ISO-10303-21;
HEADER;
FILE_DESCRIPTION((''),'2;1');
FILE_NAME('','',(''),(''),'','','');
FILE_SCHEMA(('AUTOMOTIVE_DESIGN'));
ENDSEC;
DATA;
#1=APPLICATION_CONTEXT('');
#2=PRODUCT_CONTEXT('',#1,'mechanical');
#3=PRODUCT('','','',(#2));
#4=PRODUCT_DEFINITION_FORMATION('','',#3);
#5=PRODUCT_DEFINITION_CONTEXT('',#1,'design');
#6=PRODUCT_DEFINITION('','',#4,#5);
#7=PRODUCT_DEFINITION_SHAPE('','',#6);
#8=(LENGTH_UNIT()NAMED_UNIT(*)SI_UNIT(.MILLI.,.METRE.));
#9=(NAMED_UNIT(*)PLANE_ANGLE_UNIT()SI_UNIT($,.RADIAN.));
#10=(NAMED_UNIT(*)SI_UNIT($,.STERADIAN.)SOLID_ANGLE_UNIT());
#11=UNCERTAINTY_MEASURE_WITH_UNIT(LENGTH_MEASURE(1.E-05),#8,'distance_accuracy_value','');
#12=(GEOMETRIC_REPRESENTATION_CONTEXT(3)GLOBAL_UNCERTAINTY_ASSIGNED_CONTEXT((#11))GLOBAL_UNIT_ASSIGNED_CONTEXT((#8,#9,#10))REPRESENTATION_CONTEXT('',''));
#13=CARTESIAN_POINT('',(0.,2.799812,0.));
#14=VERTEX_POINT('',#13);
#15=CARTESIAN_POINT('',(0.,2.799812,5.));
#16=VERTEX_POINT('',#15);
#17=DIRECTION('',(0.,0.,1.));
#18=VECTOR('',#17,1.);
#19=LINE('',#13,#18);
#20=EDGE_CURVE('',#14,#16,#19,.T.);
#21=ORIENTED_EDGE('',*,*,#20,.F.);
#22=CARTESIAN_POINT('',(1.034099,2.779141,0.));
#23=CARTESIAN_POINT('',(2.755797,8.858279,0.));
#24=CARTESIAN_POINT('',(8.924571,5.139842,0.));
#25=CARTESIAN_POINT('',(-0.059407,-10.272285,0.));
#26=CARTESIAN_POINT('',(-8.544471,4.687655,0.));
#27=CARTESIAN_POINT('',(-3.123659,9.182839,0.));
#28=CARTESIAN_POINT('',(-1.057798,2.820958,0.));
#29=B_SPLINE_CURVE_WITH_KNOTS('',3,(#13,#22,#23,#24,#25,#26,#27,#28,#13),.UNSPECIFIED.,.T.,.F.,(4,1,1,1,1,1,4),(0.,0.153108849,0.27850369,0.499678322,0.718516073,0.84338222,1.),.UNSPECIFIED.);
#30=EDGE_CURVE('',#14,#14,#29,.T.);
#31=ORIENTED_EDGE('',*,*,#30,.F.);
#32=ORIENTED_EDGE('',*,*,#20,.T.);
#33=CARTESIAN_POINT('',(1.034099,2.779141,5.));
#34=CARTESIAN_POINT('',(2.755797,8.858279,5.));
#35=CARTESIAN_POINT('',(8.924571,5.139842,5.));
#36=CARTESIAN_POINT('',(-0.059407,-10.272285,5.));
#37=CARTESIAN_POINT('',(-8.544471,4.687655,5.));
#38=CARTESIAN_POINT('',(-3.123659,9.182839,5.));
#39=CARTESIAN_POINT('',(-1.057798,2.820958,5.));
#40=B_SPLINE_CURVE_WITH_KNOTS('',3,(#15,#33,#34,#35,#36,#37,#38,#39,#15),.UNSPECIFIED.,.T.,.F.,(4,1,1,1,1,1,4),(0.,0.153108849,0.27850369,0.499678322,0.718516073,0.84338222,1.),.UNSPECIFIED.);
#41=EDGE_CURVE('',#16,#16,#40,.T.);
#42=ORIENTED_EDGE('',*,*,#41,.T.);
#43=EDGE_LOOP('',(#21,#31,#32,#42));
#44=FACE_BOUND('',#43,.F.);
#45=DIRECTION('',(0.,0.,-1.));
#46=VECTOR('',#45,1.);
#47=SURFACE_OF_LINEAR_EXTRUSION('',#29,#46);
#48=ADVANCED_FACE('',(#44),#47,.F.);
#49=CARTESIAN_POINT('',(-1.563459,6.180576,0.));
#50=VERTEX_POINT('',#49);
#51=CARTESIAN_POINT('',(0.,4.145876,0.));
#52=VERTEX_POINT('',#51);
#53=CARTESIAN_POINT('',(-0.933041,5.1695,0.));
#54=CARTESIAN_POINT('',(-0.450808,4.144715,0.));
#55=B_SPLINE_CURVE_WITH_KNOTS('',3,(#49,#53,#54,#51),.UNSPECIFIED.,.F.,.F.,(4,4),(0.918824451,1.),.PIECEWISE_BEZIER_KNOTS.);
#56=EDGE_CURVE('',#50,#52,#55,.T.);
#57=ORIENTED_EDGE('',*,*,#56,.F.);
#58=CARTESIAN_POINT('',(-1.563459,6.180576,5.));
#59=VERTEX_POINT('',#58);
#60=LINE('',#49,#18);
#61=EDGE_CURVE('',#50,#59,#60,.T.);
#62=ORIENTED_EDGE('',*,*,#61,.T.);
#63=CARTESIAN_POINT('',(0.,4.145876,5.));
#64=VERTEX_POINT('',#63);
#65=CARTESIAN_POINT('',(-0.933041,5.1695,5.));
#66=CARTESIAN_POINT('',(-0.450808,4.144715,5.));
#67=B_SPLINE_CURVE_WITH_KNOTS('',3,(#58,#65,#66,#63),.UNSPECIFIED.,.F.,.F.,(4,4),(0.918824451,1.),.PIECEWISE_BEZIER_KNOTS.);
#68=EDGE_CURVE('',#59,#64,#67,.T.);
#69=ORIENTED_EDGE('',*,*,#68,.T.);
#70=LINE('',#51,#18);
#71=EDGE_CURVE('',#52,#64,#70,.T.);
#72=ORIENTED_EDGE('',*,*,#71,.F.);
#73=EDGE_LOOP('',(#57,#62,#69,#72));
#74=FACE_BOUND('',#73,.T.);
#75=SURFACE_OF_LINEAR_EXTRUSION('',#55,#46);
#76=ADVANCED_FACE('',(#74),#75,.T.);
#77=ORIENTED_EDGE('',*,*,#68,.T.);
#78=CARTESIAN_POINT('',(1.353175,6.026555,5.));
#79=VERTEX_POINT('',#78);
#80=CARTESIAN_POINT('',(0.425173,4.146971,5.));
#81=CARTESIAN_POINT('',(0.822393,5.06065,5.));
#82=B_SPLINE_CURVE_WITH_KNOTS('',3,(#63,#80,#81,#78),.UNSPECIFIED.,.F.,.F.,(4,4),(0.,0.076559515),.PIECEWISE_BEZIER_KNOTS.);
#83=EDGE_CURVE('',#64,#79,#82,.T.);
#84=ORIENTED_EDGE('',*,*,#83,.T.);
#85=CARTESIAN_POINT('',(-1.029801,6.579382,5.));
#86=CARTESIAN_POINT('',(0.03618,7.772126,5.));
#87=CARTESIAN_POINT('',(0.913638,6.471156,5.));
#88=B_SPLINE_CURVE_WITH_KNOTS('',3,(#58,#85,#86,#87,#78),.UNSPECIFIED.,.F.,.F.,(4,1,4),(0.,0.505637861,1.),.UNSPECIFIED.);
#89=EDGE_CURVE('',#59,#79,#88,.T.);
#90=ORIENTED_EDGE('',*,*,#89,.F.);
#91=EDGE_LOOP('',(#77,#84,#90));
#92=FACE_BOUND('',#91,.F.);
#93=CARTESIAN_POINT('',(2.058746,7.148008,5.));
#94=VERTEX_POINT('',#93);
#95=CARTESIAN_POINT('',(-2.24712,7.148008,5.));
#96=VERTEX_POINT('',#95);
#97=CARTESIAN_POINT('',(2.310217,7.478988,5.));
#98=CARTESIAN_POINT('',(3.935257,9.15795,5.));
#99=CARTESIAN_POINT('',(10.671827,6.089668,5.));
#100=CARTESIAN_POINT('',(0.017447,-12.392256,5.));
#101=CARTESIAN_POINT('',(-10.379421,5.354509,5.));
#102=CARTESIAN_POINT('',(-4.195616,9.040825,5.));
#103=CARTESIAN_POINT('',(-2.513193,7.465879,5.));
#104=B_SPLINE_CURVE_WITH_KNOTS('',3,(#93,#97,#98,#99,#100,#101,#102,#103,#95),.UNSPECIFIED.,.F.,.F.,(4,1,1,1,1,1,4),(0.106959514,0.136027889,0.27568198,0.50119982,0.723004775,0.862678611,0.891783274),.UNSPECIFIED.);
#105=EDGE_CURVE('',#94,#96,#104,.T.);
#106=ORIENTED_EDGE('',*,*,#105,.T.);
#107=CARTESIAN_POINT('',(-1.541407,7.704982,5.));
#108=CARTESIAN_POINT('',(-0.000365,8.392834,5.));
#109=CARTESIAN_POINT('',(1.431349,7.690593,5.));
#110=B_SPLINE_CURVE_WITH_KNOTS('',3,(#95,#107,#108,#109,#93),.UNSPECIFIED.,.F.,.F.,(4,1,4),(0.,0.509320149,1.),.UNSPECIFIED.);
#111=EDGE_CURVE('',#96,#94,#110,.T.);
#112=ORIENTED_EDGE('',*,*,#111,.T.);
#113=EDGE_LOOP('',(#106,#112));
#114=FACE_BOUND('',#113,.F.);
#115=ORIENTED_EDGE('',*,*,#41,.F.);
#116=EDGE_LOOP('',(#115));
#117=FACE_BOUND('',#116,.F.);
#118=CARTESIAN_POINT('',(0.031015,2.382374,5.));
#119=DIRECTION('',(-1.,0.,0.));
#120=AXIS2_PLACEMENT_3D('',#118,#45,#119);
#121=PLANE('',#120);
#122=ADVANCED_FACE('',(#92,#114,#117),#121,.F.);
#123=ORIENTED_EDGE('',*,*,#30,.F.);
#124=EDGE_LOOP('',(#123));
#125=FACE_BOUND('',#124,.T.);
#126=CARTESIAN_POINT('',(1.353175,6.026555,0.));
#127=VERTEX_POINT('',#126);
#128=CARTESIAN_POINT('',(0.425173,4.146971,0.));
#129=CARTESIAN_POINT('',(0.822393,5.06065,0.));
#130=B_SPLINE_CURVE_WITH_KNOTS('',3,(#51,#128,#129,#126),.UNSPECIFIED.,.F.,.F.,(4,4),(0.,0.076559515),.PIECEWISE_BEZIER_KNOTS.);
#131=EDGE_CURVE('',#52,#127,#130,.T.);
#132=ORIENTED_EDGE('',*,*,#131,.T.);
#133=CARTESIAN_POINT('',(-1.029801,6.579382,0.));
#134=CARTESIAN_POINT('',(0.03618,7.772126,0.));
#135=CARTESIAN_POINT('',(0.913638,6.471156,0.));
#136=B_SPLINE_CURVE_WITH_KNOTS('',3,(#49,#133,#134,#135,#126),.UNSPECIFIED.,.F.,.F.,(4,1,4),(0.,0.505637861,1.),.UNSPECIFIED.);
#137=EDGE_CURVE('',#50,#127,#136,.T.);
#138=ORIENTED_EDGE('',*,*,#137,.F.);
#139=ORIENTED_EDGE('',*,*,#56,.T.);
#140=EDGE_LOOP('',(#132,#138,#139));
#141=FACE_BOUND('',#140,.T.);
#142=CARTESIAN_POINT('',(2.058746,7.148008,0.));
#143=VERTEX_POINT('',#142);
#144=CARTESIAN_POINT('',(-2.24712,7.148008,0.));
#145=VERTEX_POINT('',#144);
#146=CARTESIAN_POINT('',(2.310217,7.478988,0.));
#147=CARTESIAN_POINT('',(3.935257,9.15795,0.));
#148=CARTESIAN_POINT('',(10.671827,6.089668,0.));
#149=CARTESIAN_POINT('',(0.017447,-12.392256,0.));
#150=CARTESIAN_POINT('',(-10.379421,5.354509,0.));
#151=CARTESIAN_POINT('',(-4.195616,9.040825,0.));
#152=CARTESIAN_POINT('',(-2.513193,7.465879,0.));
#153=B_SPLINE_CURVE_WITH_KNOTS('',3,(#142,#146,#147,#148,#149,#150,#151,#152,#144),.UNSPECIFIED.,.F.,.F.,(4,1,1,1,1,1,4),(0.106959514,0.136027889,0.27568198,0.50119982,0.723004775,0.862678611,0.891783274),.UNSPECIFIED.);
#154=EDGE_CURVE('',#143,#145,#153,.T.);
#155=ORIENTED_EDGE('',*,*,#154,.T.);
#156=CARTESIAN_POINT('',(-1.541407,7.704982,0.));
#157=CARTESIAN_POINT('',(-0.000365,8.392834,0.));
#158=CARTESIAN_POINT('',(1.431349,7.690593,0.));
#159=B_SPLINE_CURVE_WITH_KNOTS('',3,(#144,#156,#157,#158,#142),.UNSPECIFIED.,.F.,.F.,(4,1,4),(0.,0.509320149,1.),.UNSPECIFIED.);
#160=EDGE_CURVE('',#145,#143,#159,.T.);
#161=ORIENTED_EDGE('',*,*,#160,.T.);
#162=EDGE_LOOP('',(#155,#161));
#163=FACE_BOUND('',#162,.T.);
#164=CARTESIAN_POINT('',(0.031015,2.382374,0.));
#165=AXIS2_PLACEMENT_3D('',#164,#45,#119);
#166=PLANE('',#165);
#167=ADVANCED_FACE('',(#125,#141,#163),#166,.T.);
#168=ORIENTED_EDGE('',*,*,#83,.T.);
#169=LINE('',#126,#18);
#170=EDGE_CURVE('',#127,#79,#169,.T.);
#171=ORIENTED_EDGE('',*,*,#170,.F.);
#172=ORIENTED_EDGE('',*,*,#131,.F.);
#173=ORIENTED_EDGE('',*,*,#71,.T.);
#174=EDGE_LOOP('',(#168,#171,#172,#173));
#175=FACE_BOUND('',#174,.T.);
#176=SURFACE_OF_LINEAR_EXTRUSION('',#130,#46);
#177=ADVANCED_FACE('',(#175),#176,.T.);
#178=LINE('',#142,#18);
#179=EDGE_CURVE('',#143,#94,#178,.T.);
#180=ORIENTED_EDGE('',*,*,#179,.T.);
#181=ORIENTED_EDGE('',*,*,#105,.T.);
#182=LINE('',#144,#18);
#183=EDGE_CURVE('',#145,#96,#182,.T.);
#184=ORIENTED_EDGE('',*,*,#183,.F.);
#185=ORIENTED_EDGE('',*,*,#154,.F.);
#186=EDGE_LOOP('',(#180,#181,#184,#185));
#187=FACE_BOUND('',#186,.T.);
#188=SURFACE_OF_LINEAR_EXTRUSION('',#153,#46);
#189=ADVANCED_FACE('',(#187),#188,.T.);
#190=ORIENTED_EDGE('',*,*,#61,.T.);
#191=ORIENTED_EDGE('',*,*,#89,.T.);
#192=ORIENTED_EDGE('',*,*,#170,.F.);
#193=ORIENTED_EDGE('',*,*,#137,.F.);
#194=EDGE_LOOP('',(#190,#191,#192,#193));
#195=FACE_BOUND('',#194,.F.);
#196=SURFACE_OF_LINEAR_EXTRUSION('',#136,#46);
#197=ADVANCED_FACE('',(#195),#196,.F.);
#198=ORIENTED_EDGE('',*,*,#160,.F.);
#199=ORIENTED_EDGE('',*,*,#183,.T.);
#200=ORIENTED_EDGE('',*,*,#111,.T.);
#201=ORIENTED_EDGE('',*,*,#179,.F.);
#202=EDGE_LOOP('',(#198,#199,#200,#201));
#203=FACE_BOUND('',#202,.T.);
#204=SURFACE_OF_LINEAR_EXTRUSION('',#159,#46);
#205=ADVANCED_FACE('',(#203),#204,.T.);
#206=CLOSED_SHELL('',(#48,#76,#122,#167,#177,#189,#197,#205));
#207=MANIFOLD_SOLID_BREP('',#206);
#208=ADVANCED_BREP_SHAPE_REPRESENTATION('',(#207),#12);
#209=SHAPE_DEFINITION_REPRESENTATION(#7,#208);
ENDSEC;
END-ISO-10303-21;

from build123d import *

# Parameters (mm, degrees)
F1_DEPTH = 5
F2_DEPTH = 5


with BuildPart() as f1:
    # F0 (on Top) → F1 (new body)
    with BuildSketch(Plane.XY):
        with BuildLine():
            add(Edge.make_bspline(
                [(0, 4.1458761205), (0.4251728121, 4.1469714189), (0.8223929175, 5.0606502095), (1.3531749, 6.0265546593)],
                knots=[0, 0, 0, 0, 0.0765595149, 0.0765595149, 0.0765595149, 0.0765595149], degree=3))
            add(Edge.make_bspline(
                [(-1.5634586702, 6.1805757618), (-0.9330409116, 5.1694999873), (-0.4508079304, 4.1447147827), (0, 4.1458761205)],
                knots=[0.9188244509, 0.9188244509, 0.9188244509, 0.9188244509, 1, 1, 1, 1], degree=3))
            add(Edge.make_bspline(
                [(-2.2471202075, 7.1480078623), (-1.9999117313, 6.8526730124), (-1.7734632609, 6.5173850463), (-1.5634586702, 6.1805757618)],
                knots=[0.8917832743, 0.8917832743, 0.8917832743, 0.8917832743, 0.9188244509, 0.9188244509, 0.9188244509, 0.9188244509], degree=3))
            add(Edge.make_bspline(
                [(2.0587463653, 7.1480078623), (2.3102169642, 7.4789881542), (3.9352571105, 9.1579500365), (10.6718271376, 6.0896679143), (0.0174467047, -12.3922555257), (-10.3794205218, 5.354508724), (-4.1956157642, 9.0408248225), (-2.5131929277, 7.465879434), (-2.2471202075, 7.1480078623)],
                knots=[0.1069595135, 0.1069595135, 0.1069595135, 0.1069595135, 0.1360278888, 0.2756819795, 0.5011998203, 0.7230047753, 0.8626786112, 0.8917832743, 0.8917832743, 0.8917832743, 0.8917832743], degree=3))
            add(Edge.make_bspline(
                [(1.3531749, 6.0265546593), (1.5639360512, 6.4100927984), (1.7957558897, 6.8018653518), (2.0587463653, 7.1480078623)],
                knots=[0.0765595149, 0.0765595149, 0.0765595149, 0.0765595149, 0.1069595135, 0.1069595135, 0.1069595135, 0.1069595135], degree=3))
        make_face()
        with BuildLine():
            add(Edge.make_bspline(
                [(0, 2.7998123893), (1.0340989918, 2.7791406676), (2.7557970722, 8.8582789448), (8.9245705944, 5.1398418843), (-0.0594070879, -10.2722849706), (-8.5444707281, 4.6876552471), (-3.1236585147, 9.1828392806), (-1.057798358, 2.8209578633), (0, 2.7998123893)],
                knots=[0, 0, 0, 0, 0.1531088486, 0.27850369, 0.4996783225, 0.7185160732, 0.8433822197, 1, 1, 1, 1], degree=3))
        make_face(mode=Mode.SUBTRACT)
        with BuildLine():
            add(Edge.make_bspline(
                [(-1.5634586702, 6.1805757618), (-1.0298012679, 6.5793822208), (0.0361797885, 7.7721255402), (0.9136382907, 6.471155864), (1.3531749, 6.0265546593)],
                knots=[0, 0, 0, 0, 0.5056378611, 1, 1, 1, 1], degree=3))
            add(Edge.make_bspline(
                [(1.3531749, 6.0265546593), (1.5639360512, 6.4100927984), (1.7957558897, 6.8018653518), (2.0587463653, 7.1480078623)],
                knots=[0.0765595149, 0.0765595149, 0.0765595149, 0.0765595149, 0.1069595135, 0.1069595135, 0.1069595135, 0.1069595135], degree=3))
            add(Edge.make_bspline(
                [(-2.2471202075, 7.1480078623), (-1.5414069401, 7.7049818886), (-0.0003649889, 8.3928342759), (1.4313487957, 7.6905926173), (2.0587463653, 7.1480078623)],
                knots=[0, 0, 0, 0, 0.5093201493, 1, 1, 1, 1], degree=3))
            add(Edge.make_bspline(
                [(-2.2471202075, 7.1480078623), (-1.9999117313, 6.8526730124), (-1.7734632609, 6.5173850463), (-1.5634586702, 6.1805757618)],
                knots=[0.8917832743, 0.8917832743, 0.8917832743, 0.8917832743, 0.9188244509, 0.9188244509, 0.9188244509, 0.9188244509], degree=3))
        make_face()
    extrude(amount=F1_DEPTH)

    # F0 (on Top) → F2 (join)
    with BuildSketch(Plane.XY):
        with BuildLine():
            add(Edge.make_bspline(
                [(0, 4.1458761205), (0.4251728121, 4.1469714189), (0.8223929175, 5.0606502095), (1.3531749, 6.0265546593)],
                knots=[0, 0, 0, 0, 0.0765595149, 0.0765595149, 0.0765595149, 0.0765595149], degree=3))
            add(Edge.make_bspline(
                [(-1.5634586702, 6.1805757618), (-0.9330409116, 5.1694999873), (-0.4508079304, 4.1447147827), (0, 4.1458761205)],
                knots=[0.9188244509, 0.9188244509, 0.9188244509, 0.9188244509, 1, 1, 1, 1], degree=3))
            add(Edge.make_bspline(
                [(-2.2471202075, 7.1480078623), (-1.9999117313, 6.8526730124), (-1.7734632609, 6.5173850463), (-1.5634586702, 6.1805757618)],
                knots=[0.8917832743, 0.8917832743, 0.8917832743, 0.8917832743, 0.9188244509, 0.9188244509, 0.9188244509, 0.9188244509], degree=3))
            add(Edge.make_bspline(
                [(2.0587463653, 7.1480078623), (2.3102169642, 7.4789881542), (3.9352571105, 9.1579500365), (10.6718271376, 6.0896679143), (0.0174467047, -12.3922555257), (-10.3794205218, 5.354508724), (-4.1956157642, 9.0408248225), (-2.5131929277, 7.465879434), (-2.2471202075, 7.1480078623)],
                knots=[0.1069595135, 0.1069595135, 0.1069595135, 0.1069595135, 0.1360278888, 0.2756819795, 0.5011998203, 0.7230047753, 0.8626786112, 0.8917832743, 0.8917832743, 0.8917832743, 0.8917832743], degree=3))
            add(Edge.make_bspline(
                [(1.3531749, 6.0265546593), (1.5639360512, 6.4100927984), (1.7957558897, 6.8018653518), (2.0587463653, 7.1480078623)],
                knots=[0.0765595149, 0.0765595149, 0.0765595149, 0.0765595149, 0.1069595135, 0.1069595135, 0.1069595135, 0.1069595135], degree=3))
        make_face()
        with BuildLine():
            add(Edge.make_bspline(
                [(0, 2.7998123893), (1.0340989918, 2.7791406676), (2.7557970722, 8.8582789448), (8.9245705944, 5.1398418843), (-0.0594070879, -10.2722849706), (-8.5444707281, 4.6876552471), (-3.1236585147, 9.1828392806), (-1.057798358, 2.8209578633), (0, 2.7998123893)],
                knots=[0, 0, 0, 0, 0.1531088486, 0.27850369, 0.4996783225, 0.7185160732, 0.8433822197, 1, 1, 1, 1], degree=3))
        make_face(mode=Mode.SUBTRACT)
        with BuildLine():
            add(Edge.make_bspline(
                [(-1.5634586702, 6.1805757618), (-1.0298012679, 6.5793822208), (0.0361797885, 7.7721255402), (0.9136382907, 6.471155864), (1.3531749, 6.0265546593)],
                knots=[0, 0, 0, 0, 0.5056378611, 1, 1, 1, 1], degree=3))
            add(Edge.make_bspline(
                [(1.3531749, 6.0265546593), (1.5639360512, 6.4100927984), (1.7957558897, 6.8018653518), (2.0587463653, 7.1480078623)],
                knots=[0.0765595149, 0.0765595149, 0.0765595149, 0.0765595149, 0.1069595135, 0.1069595135, 0.1069595135, 0.1069595135], degree=3))
            add(Edge.make_bspline(
                [(-2.2471202075, 7.1480078623), (-1.5414069401, 7.7049818886), (-0.0003649889, 8.3928342759), (1.4313487957, 7.6905926173), (2.0587463653, 7.1480078623)],
                knots=[0, 0, 0, 0, 0.5093201493, 1, 1, 1, 1], degree=3))
            add(Edge.make_bspline(
                [(-2.2471202075, 7.1480078623), (-1.9999117313, 6.8526730124), (-1.7734632609, 6.5173850463), (-1.5634586702, 6.1805757618)],
                knots=[0.8917832743, 0.8917832743, 0.8917832743, 0.8917832743, 0.9188244509, 0.9188244509, 0.9188244509, 0.9188244509], degree=3))
        make_face()
    extrude(amount=F2_DEPTH)


solid = f1.part
